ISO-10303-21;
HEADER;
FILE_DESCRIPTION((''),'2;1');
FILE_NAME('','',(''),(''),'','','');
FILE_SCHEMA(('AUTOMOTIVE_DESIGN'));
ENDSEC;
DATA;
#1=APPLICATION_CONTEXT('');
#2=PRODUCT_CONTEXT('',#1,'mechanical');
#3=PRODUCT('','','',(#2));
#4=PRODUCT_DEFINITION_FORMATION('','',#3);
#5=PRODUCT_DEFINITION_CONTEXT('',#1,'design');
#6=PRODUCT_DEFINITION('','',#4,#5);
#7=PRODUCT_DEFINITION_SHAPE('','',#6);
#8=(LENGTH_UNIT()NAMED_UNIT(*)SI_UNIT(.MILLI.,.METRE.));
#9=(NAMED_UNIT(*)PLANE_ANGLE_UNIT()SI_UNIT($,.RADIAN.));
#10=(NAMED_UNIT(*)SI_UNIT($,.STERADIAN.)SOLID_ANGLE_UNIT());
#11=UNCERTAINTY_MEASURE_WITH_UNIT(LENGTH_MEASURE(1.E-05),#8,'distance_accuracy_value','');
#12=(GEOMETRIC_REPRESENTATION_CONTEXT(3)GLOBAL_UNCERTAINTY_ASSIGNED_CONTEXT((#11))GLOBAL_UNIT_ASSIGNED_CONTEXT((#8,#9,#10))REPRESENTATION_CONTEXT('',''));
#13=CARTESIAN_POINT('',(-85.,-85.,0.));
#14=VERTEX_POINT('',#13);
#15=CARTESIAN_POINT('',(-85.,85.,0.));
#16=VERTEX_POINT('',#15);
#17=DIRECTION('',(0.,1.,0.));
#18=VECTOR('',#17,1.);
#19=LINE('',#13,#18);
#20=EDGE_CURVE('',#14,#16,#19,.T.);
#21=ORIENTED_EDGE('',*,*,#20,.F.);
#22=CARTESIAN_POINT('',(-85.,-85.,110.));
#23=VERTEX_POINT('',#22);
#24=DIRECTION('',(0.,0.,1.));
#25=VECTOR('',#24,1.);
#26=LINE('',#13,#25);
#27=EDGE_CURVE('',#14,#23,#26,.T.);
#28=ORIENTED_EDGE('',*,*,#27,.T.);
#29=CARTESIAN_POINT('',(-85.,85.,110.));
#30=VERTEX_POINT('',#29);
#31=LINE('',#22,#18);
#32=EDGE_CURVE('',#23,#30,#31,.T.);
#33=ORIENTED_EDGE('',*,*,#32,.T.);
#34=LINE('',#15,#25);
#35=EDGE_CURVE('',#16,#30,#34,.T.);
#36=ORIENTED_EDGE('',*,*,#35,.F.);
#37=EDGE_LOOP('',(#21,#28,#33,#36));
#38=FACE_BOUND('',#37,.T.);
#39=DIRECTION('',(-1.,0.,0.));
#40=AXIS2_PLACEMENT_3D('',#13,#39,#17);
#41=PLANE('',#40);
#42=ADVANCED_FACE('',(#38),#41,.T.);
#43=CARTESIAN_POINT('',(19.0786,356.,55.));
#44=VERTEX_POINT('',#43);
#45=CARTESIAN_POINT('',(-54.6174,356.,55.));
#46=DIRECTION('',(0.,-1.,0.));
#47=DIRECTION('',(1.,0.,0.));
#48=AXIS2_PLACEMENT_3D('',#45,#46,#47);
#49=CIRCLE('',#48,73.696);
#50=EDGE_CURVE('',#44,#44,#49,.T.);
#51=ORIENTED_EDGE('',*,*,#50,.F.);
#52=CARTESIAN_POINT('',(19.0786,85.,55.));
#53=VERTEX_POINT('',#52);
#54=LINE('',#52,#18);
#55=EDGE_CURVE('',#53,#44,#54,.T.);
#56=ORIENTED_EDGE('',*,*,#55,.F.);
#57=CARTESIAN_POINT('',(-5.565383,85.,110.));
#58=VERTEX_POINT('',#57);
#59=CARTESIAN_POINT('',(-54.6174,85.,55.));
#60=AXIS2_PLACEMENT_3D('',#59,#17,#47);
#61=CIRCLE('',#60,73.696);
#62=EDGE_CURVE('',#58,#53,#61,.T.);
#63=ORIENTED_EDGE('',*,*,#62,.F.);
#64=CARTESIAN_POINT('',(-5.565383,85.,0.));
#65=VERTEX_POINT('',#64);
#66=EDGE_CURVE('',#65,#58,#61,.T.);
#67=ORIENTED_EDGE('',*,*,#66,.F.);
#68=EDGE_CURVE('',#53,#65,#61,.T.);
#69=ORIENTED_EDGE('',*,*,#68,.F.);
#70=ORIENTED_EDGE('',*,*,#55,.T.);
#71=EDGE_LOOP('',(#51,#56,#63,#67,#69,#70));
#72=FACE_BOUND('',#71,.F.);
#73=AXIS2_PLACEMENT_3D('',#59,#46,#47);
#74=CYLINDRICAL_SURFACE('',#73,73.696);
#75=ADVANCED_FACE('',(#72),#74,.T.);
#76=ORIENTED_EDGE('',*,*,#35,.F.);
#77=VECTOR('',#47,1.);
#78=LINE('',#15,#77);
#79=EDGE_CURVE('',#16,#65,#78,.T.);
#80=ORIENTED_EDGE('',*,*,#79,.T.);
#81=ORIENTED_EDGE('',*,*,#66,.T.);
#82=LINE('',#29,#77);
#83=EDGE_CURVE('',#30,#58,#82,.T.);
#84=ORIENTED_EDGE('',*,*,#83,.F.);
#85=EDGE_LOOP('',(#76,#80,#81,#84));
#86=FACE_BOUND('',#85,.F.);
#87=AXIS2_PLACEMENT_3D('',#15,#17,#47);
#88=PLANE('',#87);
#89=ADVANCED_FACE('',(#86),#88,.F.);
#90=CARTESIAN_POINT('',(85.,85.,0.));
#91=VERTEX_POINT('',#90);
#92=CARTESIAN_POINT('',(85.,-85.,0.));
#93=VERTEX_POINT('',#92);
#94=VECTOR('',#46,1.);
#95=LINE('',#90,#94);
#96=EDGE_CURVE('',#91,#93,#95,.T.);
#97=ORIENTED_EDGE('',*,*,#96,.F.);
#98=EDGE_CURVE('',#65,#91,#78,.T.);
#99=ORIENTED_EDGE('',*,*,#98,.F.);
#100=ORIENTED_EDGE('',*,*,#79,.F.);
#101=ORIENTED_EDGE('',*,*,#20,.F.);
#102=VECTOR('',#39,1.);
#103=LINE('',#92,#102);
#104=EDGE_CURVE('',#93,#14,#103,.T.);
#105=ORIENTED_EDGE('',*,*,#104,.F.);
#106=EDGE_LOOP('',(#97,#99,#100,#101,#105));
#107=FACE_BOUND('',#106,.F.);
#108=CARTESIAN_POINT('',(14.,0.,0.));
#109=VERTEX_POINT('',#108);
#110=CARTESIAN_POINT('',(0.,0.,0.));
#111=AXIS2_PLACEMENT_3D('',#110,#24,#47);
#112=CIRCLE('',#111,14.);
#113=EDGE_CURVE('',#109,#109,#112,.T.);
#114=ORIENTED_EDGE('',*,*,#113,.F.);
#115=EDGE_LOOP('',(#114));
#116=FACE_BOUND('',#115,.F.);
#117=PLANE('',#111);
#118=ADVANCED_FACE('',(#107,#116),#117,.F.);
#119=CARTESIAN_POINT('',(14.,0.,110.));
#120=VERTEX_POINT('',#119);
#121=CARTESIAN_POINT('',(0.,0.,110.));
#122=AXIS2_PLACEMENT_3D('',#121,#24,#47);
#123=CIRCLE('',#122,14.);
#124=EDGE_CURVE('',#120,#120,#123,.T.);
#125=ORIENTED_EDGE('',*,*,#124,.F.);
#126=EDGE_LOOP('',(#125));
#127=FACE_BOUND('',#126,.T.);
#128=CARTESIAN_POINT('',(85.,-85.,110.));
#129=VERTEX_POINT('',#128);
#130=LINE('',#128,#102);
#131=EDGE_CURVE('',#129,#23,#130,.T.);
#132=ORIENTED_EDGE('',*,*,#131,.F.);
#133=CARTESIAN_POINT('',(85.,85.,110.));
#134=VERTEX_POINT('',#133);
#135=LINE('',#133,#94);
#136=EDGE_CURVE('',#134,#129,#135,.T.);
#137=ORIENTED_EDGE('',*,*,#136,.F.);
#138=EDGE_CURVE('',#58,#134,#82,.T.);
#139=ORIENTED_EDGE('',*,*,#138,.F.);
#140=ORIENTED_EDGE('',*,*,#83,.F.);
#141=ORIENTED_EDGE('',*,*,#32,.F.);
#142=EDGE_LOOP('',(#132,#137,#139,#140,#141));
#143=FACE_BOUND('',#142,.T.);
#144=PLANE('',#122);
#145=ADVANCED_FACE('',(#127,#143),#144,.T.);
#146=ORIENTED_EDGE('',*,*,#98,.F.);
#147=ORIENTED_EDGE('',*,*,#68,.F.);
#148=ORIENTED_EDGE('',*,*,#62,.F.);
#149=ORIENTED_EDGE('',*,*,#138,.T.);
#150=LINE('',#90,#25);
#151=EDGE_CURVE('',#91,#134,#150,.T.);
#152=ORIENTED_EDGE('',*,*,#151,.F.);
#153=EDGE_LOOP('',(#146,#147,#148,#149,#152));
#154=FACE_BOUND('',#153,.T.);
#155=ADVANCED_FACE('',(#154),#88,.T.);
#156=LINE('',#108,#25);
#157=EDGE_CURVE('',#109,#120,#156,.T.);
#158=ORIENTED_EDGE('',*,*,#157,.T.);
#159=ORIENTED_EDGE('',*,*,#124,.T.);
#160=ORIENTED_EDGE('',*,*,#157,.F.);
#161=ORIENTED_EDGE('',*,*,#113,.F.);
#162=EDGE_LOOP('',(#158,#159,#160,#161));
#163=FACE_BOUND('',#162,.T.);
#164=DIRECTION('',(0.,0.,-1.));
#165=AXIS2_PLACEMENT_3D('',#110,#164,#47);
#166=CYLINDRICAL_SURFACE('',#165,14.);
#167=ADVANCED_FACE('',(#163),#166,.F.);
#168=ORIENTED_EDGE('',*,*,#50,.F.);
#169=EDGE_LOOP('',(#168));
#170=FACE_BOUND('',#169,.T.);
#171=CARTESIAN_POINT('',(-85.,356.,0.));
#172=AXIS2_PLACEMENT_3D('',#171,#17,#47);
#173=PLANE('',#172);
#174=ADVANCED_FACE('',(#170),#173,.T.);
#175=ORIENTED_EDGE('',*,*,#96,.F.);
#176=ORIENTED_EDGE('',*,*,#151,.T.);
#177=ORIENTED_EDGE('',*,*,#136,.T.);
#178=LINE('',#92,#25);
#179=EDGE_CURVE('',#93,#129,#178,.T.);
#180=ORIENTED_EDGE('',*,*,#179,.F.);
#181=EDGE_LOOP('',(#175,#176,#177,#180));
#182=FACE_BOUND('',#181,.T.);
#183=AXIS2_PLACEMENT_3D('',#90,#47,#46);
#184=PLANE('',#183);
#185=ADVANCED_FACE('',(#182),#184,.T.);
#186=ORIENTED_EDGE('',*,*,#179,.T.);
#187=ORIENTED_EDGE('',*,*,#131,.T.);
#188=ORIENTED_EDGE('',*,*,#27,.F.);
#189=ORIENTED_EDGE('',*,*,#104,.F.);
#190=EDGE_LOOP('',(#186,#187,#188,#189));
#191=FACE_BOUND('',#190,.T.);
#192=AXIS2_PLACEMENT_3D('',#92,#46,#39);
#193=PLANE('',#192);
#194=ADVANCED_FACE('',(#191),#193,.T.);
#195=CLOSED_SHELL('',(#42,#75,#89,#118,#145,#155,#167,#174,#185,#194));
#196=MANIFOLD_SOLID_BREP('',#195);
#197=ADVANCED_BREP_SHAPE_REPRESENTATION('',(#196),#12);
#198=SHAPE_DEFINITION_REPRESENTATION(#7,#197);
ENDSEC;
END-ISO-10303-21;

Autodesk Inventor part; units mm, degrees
ref_plane "YZ Plane" through (0, 0, 0) normal (1, 0, 0) x (0, 1, 0)
ref_plane "XZ Plane" through (0, 0, 0) normal (0, 1, 0) x (-1, 0, 0)
ref_plane "XY Plane" through (0, 0, 0) normal (0, 0, 1) x (1, 0, 0)
sketch "Sketch1" plane through (0, 0, 0) normal (0, 0, 1) x (1, 0, 0)
  line L0 (-85, 85) -> (85, 85)
  line L1 (85, 85) -> (85, -85)
  line L2 (85, -85) -> (-85, -85)
  line L3 (-85, -85) -> (-85, 85)
  line L4 (-85, 85) -> (85, -85) construction
  line L5 (85, 85) -> (-85, -85) construction
  circle A0 centre (0, 0) radius 14
  dimension "d0" = 170
  dimension "d1" = 170
  dimension "d2" = 28
extrude "Extrusion1" add sketch "Sketch1" along normal blind 110
sketch "Sketch2" plane through (-85, 85, 0) normal (0, 1, 0) x (1, 0, 0)
  line L0 (170, 0) -> (0, 0) projected
  line L1 (0, 0) -> (0, -110) projected
  line L2 (170, -110) -> (0, -110) projected
  line L3 (170, 0) -> (170, -110) projected
  circle A0 centre (30.3826, -55) radius 73.696
  point P0 (85, 0)
extrude "Extrusion2" add sketch "Sketch2" along normal blind 271 contours A0 L2 L1 L0 | L0 L1 L2 A0
properties part number "motor dummy"
